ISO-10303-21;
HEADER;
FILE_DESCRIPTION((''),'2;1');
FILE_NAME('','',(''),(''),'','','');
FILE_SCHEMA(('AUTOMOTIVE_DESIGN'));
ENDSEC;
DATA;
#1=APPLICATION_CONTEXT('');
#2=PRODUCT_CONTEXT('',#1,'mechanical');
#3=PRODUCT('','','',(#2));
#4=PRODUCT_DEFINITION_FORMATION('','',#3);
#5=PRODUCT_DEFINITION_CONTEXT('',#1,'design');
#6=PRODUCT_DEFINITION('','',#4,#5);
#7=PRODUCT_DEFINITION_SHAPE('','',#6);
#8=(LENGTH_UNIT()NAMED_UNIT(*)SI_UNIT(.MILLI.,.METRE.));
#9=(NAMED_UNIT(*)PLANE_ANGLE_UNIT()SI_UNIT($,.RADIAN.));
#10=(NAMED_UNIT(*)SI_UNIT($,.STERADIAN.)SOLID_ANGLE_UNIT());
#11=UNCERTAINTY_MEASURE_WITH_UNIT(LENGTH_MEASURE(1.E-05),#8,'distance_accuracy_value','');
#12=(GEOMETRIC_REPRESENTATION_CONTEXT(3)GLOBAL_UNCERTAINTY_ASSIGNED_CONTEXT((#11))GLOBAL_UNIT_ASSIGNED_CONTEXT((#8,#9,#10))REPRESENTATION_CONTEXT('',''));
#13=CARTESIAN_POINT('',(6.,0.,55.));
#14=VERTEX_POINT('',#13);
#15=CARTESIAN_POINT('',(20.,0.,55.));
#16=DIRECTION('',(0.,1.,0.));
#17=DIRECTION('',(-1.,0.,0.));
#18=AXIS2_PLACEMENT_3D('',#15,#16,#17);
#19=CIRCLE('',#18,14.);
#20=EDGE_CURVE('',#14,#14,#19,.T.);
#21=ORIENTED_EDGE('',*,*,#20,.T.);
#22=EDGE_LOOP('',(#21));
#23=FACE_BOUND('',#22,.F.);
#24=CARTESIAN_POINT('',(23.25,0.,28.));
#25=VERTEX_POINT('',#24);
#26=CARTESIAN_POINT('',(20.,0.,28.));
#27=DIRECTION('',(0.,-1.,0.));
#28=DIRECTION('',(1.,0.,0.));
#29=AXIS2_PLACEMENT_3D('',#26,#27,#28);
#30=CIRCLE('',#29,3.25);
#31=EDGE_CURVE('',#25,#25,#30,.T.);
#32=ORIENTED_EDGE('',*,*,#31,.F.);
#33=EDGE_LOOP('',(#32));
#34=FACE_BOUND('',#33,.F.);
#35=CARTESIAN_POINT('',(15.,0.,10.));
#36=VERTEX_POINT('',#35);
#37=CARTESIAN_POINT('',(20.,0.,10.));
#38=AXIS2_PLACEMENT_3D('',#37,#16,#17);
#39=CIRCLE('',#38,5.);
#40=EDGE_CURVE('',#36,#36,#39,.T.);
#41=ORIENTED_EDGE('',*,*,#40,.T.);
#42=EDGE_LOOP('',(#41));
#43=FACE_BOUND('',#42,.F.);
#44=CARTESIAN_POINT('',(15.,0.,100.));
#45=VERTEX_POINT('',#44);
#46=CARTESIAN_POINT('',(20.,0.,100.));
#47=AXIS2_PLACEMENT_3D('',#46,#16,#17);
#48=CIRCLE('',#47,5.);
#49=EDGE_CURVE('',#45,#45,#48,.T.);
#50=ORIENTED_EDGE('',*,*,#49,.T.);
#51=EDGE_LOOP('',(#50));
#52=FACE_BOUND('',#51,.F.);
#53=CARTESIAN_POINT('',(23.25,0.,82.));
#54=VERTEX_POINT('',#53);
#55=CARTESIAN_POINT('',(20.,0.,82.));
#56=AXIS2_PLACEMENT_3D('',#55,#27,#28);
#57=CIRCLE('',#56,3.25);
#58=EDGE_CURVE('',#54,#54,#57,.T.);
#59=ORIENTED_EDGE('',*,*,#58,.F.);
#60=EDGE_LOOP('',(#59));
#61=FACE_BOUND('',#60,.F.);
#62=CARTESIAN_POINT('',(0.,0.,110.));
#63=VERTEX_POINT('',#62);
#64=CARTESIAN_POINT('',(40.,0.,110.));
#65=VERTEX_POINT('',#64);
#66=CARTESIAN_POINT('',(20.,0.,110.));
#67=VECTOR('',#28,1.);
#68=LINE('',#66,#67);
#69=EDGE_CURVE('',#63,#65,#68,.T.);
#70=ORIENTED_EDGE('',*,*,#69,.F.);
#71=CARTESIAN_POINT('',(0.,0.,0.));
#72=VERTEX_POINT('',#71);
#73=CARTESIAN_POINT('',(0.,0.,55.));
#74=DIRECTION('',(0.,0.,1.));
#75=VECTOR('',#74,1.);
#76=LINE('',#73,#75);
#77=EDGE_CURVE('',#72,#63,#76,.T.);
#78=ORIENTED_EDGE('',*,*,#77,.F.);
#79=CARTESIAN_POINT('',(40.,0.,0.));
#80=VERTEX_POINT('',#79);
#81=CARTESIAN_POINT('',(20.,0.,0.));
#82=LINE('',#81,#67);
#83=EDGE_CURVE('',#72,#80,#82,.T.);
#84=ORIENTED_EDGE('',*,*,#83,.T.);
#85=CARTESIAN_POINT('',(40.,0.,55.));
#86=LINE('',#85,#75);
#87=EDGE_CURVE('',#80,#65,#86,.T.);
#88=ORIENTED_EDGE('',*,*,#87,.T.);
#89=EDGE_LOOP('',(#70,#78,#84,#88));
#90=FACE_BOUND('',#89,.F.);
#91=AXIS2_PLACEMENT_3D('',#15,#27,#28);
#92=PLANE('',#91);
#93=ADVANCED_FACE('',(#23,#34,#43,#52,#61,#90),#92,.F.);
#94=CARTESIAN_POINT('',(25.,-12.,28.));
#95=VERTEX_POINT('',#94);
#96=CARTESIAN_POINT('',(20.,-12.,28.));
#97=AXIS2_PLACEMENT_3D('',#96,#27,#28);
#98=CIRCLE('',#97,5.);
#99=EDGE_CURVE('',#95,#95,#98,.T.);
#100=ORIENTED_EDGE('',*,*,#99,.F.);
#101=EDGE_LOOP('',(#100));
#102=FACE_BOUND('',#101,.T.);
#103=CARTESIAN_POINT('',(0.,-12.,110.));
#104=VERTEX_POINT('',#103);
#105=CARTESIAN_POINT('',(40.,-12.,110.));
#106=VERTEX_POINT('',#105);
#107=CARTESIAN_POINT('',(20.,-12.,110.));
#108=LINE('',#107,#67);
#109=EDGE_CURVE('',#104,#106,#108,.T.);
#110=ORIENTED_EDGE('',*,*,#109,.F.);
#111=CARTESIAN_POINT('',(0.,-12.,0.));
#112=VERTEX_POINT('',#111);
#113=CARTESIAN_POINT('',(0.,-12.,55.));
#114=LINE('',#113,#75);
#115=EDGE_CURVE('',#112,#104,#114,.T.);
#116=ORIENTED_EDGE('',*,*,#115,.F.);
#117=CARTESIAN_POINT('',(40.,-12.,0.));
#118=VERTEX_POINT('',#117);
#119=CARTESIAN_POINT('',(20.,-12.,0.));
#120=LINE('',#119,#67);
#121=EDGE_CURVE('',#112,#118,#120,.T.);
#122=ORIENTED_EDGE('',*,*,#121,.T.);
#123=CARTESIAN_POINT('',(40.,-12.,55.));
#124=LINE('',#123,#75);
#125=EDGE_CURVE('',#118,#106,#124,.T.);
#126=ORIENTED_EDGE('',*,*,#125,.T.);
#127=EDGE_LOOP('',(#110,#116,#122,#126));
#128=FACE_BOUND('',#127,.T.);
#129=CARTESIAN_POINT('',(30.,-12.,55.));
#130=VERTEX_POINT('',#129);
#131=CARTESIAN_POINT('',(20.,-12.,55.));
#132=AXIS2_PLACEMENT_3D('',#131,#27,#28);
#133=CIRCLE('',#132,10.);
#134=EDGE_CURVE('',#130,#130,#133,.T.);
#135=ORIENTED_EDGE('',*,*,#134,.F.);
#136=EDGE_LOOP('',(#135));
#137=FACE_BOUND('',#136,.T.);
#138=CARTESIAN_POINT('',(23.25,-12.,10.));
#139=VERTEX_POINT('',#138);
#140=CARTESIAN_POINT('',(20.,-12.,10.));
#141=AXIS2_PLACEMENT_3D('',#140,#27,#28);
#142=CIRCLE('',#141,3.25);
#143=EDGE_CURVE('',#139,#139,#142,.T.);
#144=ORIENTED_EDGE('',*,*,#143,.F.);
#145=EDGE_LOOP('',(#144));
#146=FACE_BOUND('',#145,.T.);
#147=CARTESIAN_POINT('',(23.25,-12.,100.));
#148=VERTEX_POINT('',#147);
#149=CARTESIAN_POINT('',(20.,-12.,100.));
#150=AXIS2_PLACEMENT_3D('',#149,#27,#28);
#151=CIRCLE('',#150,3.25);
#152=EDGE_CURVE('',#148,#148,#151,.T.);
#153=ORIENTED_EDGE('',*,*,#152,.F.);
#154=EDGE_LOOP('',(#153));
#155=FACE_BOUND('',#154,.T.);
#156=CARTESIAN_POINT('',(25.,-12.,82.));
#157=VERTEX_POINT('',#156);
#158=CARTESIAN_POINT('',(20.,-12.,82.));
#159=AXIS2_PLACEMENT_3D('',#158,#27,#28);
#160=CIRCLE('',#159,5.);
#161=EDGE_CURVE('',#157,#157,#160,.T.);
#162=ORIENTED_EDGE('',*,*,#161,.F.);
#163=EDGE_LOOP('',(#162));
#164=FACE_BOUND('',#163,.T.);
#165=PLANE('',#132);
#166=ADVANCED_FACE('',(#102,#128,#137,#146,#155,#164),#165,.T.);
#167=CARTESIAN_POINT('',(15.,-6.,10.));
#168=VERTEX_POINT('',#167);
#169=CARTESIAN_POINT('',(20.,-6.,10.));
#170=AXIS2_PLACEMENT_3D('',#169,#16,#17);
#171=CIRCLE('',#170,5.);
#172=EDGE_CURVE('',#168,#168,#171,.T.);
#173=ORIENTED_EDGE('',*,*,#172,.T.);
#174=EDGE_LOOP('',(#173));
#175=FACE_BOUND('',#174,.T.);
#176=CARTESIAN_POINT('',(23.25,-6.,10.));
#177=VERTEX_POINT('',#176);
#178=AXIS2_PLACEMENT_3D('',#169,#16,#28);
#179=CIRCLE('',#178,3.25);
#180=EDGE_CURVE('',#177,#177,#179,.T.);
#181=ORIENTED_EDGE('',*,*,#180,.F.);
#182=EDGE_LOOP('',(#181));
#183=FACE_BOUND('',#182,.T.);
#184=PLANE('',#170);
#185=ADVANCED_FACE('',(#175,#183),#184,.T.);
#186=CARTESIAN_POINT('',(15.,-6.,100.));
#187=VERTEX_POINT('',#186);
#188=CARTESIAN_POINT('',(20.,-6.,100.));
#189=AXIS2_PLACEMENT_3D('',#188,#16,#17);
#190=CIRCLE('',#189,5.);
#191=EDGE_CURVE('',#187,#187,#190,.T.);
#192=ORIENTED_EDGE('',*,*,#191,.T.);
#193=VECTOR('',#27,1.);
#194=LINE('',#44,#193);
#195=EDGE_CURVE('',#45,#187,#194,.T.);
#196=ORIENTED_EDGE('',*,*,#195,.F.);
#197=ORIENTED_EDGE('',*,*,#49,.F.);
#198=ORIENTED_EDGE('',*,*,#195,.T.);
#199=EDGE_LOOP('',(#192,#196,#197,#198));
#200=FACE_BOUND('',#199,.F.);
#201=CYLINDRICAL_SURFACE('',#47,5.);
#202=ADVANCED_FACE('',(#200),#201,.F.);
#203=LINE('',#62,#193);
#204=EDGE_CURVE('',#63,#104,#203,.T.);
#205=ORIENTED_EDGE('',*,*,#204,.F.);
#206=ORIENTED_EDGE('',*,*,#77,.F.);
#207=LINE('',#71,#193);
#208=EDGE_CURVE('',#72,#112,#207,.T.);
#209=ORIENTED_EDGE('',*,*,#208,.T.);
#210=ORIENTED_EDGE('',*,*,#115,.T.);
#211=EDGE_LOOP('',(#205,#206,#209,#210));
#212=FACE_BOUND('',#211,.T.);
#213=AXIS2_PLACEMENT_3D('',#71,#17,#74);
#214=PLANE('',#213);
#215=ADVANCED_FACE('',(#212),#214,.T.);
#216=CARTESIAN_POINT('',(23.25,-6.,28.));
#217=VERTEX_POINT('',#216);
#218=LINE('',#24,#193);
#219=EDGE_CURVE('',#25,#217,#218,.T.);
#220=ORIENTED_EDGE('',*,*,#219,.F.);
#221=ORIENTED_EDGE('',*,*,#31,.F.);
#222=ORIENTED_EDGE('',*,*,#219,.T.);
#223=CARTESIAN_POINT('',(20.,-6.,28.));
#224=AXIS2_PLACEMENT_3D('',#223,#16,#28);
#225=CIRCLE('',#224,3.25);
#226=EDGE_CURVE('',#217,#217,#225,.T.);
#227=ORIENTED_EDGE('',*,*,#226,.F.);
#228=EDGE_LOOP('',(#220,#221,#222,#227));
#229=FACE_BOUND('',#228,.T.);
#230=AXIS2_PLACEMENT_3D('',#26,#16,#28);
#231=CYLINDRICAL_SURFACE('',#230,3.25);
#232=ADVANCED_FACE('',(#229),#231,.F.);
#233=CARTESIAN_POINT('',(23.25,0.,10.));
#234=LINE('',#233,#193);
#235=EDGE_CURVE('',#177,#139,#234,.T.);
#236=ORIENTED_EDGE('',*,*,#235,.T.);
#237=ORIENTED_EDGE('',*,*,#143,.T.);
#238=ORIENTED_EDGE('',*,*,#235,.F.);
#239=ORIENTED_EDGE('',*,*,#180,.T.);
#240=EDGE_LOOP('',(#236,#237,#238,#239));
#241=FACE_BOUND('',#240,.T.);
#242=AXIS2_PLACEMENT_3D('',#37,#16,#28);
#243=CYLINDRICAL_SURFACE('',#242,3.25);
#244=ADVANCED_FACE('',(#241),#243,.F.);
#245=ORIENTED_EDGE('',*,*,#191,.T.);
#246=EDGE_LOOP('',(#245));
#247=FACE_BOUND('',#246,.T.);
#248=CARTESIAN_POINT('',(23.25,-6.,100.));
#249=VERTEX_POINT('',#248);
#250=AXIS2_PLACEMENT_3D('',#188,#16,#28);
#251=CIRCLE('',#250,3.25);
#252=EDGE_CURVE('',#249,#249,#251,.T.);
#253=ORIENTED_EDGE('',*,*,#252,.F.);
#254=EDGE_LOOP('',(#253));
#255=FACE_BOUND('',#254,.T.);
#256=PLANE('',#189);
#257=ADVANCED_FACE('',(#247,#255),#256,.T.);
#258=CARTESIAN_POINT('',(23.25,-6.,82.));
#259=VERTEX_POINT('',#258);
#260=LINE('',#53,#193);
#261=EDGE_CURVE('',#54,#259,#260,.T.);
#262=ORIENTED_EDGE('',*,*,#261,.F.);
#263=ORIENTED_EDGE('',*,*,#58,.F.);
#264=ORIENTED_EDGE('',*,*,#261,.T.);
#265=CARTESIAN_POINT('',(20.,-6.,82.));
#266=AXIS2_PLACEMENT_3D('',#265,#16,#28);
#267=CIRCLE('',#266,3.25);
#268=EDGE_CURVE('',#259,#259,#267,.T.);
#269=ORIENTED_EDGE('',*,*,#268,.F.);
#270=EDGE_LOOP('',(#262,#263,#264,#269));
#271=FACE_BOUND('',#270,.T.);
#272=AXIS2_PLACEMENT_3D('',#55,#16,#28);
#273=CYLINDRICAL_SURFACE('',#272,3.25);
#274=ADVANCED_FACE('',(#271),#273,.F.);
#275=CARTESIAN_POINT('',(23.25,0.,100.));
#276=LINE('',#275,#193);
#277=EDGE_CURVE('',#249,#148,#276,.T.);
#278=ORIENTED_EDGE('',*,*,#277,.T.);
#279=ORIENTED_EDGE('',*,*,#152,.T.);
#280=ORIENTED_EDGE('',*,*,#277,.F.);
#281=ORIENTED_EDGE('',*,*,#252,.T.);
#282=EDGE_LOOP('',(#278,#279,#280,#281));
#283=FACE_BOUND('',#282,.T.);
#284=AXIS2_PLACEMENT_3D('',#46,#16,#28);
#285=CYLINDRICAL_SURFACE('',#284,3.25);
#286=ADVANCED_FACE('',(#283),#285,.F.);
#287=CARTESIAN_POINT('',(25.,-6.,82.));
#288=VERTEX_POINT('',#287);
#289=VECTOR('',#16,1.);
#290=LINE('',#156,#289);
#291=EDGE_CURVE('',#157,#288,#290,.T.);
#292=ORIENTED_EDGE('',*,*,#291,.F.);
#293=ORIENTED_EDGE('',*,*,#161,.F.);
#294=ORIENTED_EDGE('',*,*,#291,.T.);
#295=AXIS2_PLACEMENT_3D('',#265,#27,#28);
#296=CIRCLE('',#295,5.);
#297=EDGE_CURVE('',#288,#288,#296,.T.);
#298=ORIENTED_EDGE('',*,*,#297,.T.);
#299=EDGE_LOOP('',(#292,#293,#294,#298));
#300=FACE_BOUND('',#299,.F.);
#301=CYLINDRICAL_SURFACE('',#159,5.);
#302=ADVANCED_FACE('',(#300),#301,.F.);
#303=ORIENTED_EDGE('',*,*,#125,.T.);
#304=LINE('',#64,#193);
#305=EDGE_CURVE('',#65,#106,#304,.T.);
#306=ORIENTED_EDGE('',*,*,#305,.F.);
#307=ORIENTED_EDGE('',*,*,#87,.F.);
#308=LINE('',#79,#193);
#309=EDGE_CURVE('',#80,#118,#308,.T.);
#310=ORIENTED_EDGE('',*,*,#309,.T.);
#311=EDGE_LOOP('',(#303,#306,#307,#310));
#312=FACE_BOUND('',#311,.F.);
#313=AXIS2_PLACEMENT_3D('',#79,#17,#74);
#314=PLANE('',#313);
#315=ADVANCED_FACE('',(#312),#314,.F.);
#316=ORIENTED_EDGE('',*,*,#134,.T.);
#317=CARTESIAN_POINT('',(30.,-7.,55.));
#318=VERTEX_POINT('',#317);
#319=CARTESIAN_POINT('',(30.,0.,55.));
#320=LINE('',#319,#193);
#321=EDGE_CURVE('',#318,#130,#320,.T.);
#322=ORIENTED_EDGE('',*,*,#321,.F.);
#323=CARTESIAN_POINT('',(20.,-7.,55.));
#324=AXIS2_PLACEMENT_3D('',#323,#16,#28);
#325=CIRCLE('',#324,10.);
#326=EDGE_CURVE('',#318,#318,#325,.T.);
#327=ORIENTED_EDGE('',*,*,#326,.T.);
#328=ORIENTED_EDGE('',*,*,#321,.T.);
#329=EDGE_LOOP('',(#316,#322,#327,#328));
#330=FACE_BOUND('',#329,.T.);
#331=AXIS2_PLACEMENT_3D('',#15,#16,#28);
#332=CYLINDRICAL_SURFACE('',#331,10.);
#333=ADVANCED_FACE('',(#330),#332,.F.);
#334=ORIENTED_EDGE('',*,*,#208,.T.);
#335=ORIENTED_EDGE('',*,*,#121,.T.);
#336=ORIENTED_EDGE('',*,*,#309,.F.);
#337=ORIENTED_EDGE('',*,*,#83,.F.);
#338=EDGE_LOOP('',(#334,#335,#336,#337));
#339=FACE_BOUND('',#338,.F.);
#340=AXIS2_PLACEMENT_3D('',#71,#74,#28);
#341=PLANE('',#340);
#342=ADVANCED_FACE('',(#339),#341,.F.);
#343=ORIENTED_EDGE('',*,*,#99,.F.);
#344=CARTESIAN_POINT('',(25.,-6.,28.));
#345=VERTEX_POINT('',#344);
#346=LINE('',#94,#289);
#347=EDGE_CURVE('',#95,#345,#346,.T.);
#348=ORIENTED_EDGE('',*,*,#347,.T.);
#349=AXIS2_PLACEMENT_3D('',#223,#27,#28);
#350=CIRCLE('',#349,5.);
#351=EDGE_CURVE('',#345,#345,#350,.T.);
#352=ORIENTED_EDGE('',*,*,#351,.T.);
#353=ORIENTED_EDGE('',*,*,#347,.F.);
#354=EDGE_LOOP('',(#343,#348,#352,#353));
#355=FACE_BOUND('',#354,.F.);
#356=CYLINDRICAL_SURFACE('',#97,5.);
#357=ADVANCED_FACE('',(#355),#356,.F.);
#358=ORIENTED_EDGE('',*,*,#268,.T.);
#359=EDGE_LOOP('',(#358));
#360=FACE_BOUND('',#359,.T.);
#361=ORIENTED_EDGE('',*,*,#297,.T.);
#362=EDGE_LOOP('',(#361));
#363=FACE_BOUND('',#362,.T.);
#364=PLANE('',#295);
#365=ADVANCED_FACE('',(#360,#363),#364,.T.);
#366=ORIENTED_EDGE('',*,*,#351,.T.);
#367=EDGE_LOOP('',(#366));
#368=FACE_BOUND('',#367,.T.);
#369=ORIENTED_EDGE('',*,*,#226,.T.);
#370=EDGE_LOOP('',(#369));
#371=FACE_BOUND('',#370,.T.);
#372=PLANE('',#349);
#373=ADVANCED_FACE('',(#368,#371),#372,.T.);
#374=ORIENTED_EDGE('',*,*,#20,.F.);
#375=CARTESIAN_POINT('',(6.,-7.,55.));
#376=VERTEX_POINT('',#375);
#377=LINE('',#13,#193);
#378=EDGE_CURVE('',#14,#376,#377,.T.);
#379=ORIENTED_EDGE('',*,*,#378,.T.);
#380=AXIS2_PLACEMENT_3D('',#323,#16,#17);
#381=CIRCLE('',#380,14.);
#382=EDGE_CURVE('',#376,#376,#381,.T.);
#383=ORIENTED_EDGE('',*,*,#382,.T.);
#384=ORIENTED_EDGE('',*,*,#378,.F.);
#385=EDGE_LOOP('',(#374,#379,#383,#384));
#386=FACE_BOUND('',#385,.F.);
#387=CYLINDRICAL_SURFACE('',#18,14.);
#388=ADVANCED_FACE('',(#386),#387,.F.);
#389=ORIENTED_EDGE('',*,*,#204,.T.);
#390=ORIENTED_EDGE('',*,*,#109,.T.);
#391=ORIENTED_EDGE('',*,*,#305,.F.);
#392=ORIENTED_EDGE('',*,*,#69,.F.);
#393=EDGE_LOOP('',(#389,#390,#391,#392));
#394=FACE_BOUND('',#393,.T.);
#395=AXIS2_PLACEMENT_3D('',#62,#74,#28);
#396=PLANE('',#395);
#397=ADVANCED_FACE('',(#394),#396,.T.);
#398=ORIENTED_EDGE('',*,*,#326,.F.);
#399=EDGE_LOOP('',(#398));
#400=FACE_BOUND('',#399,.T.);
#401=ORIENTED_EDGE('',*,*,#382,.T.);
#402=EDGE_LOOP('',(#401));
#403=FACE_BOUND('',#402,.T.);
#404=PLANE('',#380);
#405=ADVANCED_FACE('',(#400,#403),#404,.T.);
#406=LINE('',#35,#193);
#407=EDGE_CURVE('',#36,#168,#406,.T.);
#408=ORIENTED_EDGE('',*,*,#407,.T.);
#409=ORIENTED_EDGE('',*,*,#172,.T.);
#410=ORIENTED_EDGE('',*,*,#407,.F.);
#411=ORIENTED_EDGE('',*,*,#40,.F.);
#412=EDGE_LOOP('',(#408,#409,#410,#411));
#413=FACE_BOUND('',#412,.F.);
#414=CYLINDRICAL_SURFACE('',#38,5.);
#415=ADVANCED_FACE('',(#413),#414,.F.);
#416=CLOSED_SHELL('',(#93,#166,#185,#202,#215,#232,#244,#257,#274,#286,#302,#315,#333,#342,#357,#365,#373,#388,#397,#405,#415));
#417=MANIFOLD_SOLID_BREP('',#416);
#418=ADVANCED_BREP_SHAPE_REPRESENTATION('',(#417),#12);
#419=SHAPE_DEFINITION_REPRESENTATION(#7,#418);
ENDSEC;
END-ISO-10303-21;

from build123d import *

# Parameters (mm, degrees)
F0_W     = 40
F0_H     = 110
F0_R     = 3.25
F0_R_2   = 10
F1_DEPTH = 12
F2_R     = 5
F3_DEPTH = 6
F4_R     = 5
F5_DEPTH = 6
F6_R     = 14
F6_R_2   = 10
F7_DEPTH = 7


with BuildPart() as f1:
    # F0 (on Front) → F1 (new body)
    with BuildSketch(Plane.XZ):
        with Locations((20, 55)):
            Rectangle(F0_W, F0_H)
        with Locations((20, 10)):
            Circle(F0_R, mode=Mode.SUBTRACT)
        with Locations((20, 28)):
            Circle(F0_R, mode=Mode.SUBTRACT)
        with Locations((20, 55)):
            Circle(F0_R_2, mode=Mode.SUBTRACT)
        with Locations((20, 82)):
            Circle(F0_R, mode=Mode.SUBTRACT)
        with Locations((20, 100)):
            Circle(F0_R, mode=Mode.SUBTRACT)
    extrude(amount=F1_DEPTH)

    # F2 (on face) → F3 (cut)
    with BuildSketch(Plane.XZ.offset(12)):
        with Locations((20, 82)):
            Circle(F2_R)
        with Locations((20, 28)):
            Circle(F2_R)
    extrude(amount=-F3_DEPTH, mode=Mode.SUBTRACT)

    # F4 (on face) → F5 (cut)
    with BuildSketch(Plane(origin=(0, 0, 0), x_dir=(-1, 0, 0), z_dir=(0, 1, 0))):
        with Locations((-20, 100)):
            Circle(F4_R)
        with Locations((-20, 10)):
            Circle(F4_R)
    extrude(amount=-F5_DEPTH, mode=Mode.SUBTRACT)

    # F6 (on face) → F7 (cut)
    with BuildSketch(Plane(origin=(0, 0, 0), x_dir=(-1, 0, 0), z_dir=(0, 1, 0))):
        with Locations((-20, 55)):
            Circle(F6_R)
        with Locations((-20, 55)):
            Circle(F6_R_2, mode=Mode.SUBTRACT)
    extrude(amount=-F7_DEPTH, mode=Mode.SUBTRACT)


solid = f1.part
